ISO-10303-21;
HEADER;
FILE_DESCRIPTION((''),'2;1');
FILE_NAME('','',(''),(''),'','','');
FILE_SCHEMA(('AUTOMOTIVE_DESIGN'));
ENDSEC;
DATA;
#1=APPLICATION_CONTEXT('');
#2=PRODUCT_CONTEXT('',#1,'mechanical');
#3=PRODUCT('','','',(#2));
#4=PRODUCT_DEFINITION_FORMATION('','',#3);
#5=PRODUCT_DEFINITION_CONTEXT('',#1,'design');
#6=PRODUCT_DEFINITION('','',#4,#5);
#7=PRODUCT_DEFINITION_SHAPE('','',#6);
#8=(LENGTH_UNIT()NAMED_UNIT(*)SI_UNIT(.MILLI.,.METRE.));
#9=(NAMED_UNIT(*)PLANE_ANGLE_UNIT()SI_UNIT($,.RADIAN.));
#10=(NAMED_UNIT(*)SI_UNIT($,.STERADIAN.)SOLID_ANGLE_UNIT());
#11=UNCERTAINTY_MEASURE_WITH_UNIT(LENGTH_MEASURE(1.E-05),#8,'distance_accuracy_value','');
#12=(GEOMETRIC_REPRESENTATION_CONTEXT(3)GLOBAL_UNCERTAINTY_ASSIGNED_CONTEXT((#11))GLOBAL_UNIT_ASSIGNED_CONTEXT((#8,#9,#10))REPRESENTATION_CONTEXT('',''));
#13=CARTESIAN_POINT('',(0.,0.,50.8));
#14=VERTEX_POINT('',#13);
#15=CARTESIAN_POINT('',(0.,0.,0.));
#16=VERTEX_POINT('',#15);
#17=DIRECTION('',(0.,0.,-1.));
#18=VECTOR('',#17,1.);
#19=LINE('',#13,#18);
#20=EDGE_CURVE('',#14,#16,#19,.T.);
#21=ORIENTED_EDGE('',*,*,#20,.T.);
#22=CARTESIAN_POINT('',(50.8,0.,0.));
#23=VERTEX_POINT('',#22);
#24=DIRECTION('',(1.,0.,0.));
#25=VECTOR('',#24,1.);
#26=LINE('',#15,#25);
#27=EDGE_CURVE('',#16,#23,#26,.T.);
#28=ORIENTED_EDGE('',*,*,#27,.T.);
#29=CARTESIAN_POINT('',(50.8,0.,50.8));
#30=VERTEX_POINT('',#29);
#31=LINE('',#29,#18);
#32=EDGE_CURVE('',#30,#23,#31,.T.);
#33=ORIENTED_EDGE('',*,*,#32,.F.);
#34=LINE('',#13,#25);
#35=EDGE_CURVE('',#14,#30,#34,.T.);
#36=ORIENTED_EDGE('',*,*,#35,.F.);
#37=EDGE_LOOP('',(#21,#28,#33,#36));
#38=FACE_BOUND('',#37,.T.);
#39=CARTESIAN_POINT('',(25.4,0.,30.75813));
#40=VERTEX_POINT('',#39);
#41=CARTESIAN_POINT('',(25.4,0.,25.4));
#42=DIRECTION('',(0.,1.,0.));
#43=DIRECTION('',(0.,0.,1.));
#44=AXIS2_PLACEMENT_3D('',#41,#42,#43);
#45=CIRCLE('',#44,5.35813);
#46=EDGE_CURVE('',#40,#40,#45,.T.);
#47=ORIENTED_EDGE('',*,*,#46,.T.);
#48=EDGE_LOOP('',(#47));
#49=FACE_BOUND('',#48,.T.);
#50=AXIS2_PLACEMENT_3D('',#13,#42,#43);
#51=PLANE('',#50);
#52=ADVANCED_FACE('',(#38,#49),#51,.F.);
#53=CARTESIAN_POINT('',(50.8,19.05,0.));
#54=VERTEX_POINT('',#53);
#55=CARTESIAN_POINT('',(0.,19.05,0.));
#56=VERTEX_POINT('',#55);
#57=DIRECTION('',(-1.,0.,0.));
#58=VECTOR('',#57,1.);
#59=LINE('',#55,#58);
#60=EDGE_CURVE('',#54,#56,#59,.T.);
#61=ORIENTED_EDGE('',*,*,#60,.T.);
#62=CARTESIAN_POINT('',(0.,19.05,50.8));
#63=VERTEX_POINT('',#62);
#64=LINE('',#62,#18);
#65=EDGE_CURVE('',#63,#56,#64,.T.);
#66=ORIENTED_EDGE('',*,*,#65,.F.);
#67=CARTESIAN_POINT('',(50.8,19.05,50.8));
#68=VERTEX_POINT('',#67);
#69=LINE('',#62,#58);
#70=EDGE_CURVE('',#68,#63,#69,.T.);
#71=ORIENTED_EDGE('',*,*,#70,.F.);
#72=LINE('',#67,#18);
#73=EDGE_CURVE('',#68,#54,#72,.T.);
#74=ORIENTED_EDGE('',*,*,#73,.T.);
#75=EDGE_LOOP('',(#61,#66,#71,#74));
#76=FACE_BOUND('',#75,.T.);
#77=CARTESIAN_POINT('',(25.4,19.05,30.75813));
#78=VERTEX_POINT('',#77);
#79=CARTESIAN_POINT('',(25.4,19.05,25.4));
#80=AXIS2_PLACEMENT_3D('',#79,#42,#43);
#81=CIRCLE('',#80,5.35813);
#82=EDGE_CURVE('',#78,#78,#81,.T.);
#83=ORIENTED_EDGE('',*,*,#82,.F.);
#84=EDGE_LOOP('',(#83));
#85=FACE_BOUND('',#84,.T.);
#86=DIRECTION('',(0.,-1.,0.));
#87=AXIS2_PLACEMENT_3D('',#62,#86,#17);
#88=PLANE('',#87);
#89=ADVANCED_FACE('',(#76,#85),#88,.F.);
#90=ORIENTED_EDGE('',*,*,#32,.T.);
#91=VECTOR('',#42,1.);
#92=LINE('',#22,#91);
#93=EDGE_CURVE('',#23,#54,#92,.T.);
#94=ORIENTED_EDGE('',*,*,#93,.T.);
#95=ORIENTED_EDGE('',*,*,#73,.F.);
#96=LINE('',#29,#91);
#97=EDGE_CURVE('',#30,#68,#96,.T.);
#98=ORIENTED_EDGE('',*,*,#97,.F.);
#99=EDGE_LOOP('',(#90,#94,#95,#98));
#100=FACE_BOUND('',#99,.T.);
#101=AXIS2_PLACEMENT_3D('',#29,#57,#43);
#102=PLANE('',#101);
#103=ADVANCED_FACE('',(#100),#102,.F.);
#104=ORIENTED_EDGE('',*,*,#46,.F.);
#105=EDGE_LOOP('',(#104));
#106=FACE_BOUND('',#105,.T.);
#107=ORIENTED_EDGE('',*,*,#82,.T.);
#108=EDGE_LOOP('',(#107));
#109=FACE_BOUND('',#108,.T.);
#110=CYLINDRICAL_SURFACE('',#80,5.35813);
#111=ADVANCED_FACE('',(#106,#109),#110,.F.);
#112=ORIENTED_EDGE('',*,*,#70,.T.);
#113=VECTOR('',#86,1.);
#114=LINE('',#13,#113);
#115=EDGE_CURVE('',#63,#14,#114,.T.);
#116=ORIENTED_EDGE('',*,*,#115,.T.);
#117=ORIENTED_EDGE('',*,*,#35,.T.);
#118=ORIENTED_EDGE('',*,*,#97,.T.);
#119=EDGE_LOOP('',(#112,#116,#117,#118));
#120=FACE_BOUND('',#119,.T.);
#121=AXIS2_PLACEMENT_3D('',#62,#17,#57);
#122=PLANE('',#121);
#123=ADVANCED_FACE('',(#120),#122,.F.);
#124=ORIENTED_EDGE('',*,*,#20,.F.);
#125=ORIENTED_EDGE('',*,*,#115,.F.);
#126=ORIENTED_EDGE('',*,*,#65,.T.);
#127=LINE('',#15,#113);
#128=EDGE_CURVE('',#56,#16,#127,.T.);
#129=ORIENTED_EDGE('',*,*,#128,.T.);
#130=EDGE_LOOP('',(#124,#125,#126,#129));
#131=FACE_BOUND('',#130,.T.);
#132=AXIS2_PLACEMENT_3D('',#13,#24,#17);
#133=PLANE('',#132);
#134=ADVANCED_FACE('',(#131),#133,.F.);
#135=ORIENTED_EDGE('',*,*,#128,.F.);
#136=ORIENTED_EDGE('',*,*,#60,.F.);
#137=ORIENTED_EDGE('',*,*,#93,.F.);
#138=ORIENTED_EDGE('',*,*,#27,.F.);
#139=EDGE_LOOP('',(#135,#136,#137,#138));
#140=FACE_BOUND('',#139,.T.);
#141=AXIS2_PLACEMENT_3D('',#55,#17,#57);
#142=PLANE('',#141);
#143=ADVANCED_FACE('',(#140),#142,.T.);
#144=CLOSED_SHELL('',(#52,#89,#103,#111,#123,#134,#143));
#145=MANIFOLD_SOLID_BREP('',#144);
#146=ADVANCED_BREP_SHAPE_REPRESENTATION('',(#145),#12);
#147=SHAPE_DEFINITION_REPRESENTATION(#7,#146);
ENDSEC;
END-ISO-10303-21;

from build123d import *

# Parameters (mm, degrees)
SKETCH1_W               = 50.8
SKETCH1_H               = 19.05
EXTRUDE1_DEPTH          = 50.8
F_1_2_13_TAPPED_HOLE1_D = 10.71626


with BuildPart() as part:
    # Sketch1 → Extrude1 (new body)
    with BuildSketch(Plane.XY):
        with Locations((25.4, 9.525)):
            Rectangle(SKETCH1_W, SKETCH1_H)
    extrude(amount=EXTRUDE1_DEPTH)

    # 1/2-13 Tapped Hole1 (through all)
    with Locations(Plane(origin=(0, 19.05, 0), x_dir=(-1, 0, 0), z_dir=(0, 1, 0))):
        with Locations((-25.4, 25.4)):
            Hole(F_1_2_13_TAPPED_HOLE1_D / 2)


solid = part.part
